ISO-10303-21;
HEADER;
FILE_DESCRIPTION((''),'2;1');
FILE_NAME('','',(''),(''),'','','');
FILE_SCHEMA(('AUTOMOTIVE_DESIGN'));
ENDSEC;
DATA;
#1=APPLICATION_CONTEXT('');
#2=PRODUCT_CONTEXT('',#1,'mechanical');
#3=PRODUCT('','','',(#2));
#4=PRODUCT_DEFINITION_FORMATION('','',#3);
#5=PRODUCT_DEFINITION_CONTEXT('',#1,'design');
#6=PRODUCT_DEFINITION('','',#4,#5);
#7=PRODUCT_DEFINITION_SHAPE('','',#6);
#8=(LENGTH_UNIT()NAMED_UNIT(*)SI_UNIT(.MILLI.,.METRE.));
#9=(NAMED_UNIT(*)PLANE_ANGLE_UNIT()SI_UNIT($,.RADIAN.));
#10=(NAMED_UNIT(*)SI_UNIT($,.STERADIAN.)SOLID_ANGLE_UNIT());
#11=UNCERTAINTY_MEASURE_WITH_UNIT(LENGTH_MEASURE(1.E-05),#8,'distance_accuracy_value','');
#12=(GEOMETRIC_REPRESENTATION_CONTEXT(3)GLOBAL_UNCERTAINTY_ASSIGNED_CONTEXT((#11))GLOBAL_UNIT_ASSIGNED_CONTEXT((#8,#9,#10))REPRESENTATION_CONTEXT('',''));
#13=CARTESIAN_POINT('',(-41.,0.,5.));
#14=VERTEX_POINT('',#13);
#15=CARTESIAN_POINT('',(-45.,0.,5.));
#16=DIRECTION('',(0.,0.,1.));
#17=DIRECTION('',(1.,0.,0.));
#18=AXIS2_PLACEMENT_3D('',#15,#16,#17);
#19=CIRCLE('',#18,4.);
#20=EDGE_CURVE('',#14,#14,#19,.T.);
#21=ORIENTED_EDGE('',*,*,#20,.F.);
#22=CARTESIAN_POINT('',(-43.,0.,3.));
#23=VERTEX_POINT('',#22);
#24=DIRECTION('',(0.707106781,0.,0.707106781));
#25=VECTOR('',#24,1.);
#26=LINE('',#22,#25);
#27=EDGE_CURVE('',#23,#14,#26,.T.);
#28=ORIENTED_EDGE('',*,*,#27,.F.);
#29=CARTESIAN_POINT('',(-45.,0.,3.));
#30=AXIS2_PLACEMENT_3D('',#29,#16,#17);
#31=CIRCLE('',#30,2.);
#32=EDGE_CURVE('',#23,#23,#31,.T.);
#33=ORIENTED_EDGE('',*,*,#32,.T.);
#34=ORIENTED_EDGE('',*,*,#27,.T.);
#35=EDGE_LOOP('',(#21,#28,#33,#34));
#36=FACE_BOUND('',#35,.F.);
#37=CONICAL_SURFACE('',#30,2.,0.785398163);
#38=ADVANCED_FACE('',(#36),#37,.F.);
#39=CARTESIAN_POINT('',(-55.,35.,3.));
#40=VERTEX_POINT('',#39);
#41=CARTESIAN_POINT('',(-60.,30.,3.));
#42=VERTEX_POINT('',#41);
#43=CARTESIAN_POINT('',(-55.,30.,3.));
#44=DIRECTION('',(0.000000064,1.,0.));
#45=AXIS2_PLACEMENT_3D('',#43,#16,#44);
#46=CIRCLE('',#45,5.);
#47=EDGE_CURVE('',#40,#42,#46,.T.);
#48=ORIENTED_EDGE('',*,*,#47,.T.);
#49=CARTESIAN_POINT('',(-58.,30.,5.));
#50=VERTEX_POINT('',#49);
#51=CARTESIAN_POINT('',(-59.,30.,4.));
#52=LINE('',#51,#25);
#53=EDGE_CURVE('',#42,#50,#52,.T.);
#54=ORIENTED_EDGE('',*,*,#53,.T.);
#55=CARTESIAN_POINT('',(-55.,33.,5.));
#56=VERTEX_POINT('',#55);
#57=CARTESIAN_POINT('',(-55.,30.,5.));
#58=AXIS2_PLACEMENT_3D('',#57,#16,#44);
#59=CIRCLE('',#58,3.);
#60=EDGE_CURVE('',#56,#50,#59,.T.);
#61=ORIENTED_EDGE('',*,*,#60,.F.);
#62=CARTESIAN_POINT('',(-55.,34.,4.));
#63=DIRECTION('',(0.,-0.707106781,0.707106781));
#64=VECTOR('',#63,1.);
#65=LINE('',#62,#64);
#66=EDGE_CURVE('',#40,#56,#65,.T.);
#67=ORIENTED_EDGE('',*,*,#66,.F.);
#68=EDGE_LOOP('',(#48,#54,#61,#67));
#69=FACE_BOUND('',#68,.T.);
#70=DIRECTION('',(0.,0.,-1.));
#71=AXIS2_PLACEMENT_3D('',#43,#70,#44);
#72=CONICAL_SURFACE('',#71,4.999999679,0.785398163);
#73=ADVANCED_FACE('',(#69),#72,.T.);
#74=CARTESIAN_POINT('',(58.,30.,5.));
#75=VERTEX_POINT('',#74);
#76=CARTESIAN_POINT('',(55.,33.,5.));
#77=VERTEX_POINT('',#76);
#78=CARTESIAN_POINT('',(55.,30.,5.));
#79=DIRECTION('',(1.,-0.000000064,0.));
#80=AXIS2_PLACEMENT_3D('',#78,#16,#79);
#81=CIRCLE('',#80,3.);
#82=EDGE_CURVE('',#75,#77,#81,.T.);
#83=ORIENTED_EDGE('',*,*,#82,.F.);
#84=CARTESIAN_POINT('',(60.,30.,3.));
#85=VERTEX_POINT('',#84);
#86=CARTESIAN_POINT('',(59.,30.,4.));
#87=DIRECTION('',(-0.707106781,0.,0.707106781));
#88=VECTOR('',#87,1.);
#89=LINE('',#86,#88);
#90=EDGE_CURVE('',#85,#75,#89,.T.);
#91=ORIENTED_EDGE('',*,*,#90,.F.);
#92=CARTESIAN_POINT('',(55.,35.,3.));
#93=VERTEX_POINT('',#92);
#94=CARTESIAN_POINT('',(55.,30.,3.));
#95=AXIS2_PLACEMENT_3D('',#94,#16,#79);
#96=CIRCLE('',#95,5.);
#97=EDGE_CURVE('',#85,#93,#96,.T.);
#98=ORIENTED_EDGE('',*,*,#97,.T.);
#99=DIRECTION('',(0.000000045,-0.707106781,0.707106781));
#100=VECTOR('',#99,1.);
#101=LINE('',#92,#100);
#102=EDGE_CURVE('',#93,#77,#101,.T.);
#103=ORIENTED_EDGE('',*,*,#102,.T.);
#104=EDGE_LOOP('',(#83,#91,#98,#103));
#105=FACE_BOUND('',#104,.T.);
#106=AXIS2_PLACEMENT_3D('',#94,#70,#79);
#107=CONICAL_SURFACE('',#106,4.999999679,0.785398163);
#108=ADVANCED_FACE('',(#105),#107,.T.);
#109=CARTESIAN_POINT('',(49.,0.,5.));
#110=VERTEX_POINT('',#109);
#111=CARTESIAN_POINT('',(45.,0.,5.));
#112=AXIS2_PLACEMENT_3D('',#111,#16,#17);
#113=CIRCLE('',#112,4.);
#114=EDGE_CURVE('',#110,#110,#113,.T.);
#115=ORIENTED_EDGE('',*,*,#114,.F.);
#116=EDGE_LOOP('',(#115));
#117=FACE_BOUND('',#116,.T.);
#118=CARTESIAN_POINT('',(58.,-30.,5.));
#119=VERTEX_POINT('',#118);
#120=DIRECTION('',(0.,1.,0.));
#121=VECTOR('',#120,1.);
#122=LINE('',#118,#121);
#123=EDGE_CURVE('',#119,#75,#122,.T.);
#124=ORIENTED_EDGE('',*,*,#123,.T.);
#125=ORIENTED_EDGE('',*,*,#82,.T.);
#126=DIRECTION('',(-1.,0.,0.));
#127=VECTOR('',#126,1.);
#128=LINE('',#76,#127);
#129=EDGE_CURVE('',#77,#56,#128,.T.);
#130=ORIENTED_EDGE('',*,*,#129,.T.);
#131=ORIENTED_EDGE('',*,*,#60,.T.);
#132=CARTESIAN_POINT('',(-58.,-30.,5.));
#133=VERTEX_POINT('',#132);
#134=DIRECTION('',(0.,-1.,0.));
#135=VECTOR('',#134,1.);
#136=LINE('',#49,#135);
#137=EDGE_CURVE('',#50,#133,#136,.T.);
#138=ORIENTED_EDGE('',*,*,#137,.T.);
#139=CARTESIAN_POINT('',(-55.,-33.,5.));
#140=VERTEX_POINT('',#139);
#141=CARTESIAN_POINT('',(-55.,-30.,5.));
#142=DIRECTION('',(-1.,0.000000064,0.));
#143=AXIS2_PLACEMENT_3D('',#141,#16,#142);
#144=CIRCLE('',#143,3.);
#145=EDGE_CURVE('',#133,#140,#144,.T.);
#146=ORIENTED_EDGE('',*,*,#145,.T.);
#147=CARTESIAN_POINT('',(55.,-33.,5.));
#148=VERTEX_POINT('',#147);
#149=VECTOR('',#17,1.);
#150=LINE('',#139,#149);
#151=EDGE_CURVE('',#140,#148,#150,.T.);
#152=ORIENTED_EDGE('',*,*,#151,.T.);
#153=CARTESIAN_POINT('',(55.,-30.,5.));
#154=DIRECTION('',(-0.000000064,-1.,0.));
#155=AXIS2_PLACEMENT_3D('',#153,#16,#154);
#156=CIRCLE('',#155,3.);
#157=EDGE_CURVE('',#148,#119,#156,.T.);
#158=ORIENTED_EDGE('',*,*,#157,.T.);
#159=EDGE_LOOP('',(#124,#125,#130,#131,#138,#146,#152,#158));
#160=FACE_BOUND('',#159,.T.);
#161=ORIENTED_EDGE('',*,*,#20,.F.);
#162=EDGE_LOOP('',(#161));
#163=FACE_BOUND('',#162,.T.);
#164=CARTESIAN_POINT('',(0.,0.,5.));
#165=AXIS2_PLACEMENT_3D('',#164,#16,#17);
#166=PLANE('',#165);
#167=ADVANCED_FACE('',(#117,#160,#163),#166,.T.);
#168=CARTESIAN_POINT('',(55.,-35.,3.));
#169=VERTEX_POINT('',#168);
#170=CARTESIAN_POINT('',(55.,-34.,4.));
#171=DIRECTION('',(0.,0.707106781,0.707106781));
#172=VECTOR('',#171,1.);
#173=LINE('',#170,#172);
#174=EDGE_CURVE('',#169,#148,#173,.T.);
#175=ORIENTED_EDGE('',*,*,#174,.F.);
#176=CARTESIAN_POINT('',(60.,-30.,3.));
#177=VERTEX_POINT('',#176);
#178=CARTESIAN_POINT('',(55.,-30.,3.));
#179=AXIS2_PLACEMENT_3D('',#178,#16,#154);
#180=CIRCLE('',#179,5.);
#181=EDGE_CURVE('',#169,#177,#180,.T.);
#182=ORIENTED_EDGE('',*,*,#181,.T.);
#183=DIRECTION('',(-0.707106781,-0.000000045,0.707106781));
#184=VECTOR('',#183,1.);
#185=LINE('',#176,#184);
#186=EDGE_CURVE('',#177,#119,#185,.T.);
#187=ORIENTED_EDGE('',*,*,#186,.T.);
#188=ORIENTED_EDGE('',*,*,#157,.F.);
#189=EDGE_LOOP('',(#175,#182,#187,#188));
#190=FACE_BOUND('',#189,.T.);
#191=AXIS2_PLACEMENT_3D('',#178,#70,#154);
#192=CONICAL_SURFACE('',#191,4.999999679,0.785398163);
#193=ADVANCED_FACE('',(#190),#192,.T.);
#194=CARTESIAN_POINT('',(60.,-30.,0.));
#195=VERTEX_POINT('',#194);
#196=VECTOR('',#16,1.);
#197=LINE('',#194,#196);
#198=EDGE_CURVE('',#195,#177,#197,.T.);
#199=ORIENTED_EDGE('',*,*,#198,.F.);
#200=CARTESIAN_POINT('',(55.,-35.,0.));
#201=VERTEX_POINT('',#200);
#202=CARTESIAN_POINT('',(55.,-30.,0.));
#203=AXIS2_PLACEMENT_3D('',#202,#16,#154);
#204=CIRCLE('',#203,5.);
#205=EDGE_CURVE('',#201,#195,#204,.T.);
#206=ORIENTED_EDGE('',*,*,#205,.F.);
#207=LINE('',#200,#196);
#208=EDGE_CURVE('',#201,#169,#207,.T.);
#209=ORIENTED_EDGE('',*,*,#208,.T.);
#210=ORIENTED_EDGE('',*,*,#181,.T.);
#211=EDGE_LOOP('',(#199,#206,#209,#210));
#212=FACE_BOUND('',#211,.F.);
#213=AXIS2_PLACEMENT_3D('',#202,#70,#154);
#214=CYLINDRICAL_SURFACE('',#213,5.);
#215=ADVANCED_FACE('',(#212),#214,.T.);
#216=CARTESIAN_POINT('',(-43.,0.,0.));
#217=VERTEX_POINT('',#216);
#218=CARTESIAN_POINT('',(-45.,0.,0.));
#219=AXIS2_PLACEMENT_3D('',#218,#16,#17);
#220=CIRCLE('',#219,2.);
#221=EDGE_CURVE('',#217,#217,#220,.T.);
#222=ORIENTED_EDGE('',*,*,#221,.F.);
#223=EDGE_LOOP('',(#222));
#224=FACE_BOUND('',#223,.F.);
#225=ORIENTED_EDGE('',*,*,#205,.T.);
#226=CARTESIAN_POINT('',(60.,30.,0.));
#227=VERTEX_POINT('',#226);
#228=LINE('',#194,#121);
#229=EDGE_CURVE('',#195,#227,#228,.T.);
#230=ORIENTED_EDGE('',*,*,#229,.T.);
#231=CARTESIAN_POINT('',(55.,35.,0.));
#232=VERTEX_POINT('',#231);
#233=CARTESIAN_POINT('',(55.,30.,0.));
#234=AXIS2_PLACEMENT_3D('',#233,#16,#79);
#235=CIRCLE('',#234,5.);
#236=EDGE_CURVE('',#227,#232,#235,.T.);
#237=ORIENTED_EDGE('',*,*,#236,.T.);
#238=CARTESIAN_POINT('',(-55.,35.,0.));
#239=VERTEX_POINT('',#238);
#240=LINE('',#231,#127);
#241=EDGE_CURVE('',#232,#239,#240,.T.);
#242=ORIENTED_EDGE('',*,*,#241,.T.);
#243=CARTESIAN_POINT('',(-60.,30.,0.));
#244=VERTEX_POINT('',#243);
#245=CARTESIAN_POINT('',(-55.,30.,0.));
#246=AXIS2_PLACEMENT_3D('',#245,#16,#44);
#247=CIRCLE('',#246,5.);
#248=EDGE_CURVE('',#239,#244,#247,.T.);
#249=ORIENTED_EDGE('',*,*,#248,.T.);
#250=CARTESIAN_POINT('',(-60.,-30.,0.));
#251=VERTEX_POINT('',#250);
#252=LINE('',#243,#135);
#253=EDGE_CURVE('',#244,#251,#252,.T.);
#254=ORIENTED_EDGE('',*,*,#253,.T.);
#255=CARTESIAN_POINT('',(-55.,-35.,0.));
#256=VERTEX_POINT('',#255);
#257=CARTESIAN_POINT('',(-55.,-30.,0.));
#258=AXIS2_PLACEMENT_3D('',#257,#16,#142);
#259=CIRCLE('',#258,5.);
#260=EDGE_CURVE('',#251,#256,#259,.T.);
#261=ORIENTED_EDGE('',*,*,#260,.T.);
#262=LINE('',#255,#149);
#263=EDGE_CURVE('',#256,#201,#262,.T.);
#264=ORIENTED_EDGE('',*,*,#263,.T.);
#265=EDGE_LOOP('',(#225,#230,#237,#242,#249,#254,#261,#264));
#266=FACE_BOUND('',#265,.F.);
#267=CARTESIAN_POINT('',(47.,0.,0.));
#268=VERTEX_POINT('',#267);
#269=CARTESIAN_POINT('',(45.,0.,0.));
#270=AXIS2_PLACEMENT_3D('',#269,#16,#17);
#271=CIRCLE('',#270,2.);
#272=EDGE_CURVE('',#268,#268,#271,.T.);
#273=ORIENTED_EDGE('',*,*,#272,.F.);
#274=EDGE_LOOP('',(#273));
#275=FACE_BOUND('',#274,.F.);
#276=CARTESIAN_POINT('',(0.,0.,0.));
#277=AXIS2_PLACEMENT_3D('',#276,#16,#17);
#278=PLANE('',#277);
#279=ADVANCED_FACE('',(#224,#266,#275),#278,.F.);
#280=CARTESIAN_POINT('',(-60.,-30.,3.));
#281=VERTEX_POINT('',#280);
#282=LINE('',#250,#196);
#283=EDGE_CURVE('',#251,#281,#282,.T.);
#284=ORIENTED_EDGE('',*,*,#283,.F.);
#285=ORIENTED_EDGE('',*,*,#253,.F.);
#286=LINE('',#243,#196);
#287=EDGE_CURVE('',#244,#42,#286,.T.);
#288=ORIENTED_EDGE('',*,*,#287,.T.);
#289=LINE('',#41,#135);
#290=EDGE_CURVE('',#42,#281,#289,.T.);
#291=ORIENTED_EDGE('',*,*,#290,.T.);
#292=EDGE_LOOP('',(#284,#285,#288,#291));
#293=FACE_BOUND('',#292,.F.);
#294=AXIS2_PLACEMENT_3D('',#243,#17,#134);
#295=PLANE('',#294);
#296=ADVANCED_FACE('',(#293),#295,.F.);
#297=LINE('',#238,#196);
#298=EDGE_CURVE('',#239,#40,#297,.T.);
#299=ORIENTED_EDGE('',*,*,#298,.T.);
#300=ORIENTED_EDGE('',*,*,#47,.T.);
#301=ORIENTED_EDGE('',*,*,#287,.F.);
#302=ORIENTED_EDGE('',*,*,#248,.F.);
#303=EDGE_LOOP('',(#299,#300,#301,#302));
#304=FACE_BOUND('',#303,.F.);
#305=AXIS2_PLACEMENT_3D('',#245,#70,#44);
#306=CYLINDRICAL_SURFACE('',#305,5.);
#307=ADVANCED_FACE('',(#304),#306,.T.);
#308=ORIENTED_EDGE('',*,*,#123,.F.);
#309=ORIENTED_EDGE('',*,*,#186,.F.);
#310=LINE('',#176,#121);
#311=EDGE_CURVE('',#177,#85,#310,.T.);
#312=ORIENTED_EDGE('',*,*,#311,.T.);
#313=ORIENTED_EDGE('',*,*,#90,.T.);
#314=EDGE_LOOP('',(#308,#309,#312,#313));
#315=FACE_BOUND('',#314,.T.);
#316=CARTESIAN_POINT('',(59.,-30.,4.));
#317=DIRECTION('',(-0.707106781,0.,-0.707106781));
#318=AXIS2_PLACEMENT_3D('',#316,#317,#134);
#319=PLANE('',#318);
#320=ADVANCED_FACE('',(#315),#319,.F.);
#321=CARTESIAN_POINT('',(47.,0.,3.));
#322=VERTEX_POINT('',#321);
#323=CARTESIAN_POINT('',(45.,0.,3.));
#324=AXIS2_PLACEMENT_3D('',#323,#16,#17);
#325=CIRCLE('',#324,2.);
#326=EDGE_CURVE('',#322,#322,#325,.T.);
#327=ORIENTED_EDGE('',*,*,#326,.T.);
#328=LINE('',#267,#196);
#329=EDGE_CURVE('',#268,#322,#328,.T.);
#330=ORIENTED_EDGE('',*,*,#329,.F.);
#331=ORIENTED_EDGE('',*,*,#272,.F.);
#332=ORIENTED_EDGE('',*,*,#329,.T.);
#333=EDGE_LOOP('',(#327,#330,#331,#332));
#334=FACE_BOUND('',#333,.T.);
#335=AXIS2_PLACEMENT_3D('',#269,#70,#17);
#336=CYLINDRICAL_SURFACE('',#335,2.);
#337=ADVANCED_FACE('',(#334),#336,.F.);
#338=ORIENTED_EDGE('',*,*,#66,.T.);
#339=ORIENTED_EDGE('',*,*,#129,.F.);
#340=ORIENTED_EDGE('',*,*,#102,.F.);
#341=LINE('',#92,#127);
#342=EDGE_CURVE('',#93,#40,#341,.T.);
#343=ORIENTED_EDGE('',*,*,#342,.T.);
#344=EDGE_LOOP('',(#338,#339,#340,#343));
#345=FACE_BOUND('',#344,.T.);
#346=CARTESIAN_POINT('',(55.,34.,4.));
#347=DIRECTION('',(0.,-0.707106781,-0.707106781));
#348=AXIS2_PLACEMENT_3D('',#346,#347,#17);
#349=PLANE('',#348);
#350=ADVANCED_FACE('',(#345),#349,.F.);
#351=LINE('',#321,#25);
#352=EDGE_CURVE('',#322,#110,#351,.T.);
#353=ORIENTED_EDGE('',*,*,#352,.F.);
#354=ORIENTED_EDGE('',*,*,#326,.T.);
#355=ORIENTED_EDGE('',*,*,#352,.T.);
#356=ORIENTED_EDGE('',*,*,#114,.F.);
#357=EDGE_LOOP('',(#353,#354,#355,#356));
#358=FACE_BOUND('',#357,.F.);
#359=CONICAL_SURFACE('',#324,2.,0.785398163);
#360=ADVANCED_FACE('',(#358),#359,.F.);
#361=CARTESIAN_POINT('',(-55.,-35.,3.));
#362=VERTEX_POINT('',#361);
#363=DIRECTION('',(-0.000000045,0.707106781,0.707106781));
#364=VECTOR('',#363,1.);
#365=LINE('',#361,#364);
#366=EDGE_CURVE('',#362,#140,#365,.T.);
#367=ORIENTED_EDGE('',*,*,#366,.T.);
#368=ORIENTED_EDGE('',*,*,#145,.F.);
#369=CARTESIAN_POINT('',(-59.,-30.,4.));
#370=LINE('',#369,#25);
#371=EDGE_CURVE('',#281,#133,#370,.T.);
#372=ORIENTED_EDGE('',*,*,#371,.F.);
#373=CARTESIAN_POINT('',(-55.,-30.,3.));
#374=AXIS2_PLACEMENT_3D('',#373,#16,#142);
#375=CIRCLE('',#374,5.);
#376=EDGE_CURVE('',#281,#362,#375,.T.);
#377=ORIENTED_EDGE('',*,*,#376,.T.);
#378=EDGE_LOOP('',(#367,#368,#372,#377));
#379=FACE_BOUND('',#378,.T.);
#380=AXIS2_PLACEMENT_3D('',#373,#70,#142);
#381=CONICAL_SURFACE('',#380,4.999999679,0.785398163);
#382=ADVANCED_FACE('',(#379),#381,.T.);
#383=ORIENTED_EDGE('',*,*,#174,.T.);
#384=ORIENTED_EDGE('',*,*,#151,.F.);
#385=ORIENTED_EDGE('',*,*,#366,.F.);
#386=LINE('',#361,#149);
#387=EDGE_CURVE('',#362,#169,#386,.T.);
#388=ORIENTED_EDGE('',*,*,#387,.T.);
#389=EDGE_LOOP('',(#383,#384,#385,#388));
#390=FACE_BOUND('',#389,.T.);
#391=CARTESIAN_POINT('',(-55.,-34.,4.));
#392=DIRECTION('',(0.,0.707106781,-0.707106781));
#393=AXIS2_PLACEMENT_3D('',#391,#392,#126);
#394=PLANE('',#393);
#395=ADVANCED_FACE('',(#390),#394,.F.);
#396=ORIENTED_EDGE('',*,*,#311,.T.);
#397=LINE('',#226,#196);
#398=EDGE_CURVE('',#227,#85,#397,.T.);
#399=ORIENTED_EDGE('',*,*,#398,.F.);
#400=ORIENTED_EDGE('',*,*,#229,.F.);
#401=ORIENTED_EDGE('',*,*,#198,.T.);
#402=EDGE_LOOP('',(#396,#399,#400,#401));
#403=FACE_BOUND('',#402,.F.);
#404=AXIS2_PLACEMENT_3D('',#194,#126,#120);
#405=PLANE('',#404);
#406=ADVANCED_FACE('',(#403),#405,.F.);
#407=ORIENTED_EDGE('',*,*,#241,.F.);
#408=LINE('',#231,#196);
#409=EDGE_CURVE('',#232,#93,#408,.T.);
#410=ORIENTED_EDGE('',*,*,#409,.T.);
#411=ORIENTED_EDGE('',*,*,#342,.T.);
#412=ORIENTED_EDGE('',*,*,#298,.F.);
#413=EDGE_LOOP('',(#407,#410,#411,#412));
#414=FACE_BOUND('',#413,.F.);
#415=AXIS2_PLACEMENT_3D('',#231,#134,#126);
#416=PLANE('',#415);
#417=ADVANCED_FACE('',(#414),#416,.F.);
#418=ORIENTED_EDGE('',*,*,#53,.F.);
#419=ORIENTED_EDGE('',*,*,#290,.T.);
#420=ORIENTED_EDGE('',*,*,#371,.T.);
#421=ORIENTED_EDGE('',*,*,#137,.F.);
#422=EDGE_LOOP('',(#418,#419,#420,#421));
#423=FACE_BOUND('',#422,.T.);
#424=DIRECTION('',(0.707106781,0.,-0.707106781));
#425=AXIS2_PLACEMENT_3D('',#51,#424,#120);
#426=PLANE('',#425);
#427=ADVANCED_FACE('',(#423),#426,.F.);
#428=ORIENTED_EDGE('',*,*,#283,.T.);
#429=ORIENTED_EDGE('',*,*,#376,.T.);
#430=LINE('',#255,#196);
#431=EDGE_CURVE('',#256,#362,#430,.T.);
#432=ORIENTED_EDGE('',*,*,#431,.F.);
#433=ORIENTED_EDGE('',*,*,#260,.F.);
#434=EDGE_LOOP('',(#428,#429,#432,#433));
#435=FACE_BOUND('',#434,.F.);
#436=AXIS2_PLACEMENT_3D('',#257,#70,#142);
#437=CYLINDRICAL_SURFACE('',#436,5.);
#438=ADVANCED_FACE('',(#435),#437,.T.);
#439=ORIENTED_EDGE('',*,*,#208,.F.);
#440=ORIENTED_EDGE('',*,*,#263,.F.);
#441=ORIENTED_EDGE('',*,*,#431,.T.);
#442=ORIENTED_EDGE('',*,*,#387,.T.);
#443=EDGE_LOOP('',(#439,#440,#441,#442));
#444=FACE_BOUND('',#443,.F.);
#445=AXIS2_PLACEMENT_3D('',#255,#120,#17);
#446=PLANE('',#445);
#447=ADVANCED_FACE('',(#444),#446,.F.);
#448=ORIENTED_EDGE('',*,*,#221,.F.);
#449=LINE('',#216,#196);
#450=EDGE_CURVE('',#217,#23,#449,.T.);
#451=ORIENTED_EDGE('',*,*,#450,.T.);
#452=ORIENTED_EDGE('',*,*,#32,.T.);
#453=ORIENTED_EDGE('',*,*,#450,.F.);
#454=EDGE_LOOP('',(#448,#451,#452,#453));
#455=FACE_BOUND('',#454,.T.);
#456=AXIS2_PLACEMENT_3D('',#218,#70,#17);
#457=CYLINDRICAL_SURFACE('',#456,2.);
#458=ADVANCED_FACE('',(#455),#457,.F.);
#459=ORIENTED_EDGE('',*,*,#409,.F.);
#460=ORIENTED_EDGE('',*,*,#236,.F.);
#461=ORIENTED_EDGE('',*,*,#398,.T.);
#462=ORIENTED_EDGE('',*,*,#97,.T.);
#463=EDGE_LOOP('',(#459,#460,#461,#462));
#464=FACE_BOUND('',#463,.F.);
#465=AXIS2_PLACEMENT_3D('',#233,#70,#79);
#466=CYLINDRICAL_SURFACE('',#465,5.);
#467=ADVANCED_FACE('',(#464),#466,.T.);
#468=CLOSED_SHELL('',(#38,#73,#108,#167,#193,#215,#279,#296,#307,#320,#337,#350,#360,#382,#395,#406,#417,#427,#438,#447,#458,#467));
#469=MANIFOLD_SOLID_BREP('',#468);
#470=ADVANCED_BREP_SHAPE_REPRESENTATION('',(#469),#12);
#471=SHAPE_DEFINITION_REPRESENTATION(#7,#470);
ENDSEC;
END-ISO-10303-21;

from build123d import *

# Parameters (mm, degrees)
SKETCH_R     = 2
PAD_DEPTH    = 5
CHAMFER_SIZE = 2


with BuildPart() as part:
    # Sketch → Pad (new body)
    with BuildSketch(Plane.XY):
        with BuildLine():
            Line((-60, 30), (-60, -30))
            ThreePointArc((-60, -30), (-58.535534, -33.535534), (-55, -35))
            Line((-55, -35), (55, -35))
            ThreePointArc((55, -35), (58.535534, -33.535534), (60, -30))
            Line((60, -30), (60, 30))
            ThreePointArc((60, 30), (58.535534, 33.535534), (55, 35))
            Line((55, 35), (-55, 35))
            ThreePointArc((-55, 35), (-58.535534, 33.535534), (-60, 30))
        make_face()
        with Locations((-45, 0)):
            Circle(SKETCH_R, mode=Mode.SUBTRACT)
        with Locations((45, 0)):
            Circle(SKETCH_R, mode=Mode.SUBTRACT)
    extrude(amount=PAD_DEPTH)

    # Chamfer
    chamfer_edges = [part.edges().sort_by_distance(p)[0] for p in [
        (-60, 0, 5),
        (-58.535534, -33.535534, 5),
        (0, -35, 5),
        (58.535534, -33.535534, 5),
        (60, 0, 5),
        (58.535534, 33.535534, 5),
        (0, 35, 5),
        (-58.535534, 33.535534, 5),
        (43, 0, 5),
        (-47, 0, 5),
    ]]
    chamfer(chamfer_edges, length=CHAMFER_SIZE)


solid = part.part
